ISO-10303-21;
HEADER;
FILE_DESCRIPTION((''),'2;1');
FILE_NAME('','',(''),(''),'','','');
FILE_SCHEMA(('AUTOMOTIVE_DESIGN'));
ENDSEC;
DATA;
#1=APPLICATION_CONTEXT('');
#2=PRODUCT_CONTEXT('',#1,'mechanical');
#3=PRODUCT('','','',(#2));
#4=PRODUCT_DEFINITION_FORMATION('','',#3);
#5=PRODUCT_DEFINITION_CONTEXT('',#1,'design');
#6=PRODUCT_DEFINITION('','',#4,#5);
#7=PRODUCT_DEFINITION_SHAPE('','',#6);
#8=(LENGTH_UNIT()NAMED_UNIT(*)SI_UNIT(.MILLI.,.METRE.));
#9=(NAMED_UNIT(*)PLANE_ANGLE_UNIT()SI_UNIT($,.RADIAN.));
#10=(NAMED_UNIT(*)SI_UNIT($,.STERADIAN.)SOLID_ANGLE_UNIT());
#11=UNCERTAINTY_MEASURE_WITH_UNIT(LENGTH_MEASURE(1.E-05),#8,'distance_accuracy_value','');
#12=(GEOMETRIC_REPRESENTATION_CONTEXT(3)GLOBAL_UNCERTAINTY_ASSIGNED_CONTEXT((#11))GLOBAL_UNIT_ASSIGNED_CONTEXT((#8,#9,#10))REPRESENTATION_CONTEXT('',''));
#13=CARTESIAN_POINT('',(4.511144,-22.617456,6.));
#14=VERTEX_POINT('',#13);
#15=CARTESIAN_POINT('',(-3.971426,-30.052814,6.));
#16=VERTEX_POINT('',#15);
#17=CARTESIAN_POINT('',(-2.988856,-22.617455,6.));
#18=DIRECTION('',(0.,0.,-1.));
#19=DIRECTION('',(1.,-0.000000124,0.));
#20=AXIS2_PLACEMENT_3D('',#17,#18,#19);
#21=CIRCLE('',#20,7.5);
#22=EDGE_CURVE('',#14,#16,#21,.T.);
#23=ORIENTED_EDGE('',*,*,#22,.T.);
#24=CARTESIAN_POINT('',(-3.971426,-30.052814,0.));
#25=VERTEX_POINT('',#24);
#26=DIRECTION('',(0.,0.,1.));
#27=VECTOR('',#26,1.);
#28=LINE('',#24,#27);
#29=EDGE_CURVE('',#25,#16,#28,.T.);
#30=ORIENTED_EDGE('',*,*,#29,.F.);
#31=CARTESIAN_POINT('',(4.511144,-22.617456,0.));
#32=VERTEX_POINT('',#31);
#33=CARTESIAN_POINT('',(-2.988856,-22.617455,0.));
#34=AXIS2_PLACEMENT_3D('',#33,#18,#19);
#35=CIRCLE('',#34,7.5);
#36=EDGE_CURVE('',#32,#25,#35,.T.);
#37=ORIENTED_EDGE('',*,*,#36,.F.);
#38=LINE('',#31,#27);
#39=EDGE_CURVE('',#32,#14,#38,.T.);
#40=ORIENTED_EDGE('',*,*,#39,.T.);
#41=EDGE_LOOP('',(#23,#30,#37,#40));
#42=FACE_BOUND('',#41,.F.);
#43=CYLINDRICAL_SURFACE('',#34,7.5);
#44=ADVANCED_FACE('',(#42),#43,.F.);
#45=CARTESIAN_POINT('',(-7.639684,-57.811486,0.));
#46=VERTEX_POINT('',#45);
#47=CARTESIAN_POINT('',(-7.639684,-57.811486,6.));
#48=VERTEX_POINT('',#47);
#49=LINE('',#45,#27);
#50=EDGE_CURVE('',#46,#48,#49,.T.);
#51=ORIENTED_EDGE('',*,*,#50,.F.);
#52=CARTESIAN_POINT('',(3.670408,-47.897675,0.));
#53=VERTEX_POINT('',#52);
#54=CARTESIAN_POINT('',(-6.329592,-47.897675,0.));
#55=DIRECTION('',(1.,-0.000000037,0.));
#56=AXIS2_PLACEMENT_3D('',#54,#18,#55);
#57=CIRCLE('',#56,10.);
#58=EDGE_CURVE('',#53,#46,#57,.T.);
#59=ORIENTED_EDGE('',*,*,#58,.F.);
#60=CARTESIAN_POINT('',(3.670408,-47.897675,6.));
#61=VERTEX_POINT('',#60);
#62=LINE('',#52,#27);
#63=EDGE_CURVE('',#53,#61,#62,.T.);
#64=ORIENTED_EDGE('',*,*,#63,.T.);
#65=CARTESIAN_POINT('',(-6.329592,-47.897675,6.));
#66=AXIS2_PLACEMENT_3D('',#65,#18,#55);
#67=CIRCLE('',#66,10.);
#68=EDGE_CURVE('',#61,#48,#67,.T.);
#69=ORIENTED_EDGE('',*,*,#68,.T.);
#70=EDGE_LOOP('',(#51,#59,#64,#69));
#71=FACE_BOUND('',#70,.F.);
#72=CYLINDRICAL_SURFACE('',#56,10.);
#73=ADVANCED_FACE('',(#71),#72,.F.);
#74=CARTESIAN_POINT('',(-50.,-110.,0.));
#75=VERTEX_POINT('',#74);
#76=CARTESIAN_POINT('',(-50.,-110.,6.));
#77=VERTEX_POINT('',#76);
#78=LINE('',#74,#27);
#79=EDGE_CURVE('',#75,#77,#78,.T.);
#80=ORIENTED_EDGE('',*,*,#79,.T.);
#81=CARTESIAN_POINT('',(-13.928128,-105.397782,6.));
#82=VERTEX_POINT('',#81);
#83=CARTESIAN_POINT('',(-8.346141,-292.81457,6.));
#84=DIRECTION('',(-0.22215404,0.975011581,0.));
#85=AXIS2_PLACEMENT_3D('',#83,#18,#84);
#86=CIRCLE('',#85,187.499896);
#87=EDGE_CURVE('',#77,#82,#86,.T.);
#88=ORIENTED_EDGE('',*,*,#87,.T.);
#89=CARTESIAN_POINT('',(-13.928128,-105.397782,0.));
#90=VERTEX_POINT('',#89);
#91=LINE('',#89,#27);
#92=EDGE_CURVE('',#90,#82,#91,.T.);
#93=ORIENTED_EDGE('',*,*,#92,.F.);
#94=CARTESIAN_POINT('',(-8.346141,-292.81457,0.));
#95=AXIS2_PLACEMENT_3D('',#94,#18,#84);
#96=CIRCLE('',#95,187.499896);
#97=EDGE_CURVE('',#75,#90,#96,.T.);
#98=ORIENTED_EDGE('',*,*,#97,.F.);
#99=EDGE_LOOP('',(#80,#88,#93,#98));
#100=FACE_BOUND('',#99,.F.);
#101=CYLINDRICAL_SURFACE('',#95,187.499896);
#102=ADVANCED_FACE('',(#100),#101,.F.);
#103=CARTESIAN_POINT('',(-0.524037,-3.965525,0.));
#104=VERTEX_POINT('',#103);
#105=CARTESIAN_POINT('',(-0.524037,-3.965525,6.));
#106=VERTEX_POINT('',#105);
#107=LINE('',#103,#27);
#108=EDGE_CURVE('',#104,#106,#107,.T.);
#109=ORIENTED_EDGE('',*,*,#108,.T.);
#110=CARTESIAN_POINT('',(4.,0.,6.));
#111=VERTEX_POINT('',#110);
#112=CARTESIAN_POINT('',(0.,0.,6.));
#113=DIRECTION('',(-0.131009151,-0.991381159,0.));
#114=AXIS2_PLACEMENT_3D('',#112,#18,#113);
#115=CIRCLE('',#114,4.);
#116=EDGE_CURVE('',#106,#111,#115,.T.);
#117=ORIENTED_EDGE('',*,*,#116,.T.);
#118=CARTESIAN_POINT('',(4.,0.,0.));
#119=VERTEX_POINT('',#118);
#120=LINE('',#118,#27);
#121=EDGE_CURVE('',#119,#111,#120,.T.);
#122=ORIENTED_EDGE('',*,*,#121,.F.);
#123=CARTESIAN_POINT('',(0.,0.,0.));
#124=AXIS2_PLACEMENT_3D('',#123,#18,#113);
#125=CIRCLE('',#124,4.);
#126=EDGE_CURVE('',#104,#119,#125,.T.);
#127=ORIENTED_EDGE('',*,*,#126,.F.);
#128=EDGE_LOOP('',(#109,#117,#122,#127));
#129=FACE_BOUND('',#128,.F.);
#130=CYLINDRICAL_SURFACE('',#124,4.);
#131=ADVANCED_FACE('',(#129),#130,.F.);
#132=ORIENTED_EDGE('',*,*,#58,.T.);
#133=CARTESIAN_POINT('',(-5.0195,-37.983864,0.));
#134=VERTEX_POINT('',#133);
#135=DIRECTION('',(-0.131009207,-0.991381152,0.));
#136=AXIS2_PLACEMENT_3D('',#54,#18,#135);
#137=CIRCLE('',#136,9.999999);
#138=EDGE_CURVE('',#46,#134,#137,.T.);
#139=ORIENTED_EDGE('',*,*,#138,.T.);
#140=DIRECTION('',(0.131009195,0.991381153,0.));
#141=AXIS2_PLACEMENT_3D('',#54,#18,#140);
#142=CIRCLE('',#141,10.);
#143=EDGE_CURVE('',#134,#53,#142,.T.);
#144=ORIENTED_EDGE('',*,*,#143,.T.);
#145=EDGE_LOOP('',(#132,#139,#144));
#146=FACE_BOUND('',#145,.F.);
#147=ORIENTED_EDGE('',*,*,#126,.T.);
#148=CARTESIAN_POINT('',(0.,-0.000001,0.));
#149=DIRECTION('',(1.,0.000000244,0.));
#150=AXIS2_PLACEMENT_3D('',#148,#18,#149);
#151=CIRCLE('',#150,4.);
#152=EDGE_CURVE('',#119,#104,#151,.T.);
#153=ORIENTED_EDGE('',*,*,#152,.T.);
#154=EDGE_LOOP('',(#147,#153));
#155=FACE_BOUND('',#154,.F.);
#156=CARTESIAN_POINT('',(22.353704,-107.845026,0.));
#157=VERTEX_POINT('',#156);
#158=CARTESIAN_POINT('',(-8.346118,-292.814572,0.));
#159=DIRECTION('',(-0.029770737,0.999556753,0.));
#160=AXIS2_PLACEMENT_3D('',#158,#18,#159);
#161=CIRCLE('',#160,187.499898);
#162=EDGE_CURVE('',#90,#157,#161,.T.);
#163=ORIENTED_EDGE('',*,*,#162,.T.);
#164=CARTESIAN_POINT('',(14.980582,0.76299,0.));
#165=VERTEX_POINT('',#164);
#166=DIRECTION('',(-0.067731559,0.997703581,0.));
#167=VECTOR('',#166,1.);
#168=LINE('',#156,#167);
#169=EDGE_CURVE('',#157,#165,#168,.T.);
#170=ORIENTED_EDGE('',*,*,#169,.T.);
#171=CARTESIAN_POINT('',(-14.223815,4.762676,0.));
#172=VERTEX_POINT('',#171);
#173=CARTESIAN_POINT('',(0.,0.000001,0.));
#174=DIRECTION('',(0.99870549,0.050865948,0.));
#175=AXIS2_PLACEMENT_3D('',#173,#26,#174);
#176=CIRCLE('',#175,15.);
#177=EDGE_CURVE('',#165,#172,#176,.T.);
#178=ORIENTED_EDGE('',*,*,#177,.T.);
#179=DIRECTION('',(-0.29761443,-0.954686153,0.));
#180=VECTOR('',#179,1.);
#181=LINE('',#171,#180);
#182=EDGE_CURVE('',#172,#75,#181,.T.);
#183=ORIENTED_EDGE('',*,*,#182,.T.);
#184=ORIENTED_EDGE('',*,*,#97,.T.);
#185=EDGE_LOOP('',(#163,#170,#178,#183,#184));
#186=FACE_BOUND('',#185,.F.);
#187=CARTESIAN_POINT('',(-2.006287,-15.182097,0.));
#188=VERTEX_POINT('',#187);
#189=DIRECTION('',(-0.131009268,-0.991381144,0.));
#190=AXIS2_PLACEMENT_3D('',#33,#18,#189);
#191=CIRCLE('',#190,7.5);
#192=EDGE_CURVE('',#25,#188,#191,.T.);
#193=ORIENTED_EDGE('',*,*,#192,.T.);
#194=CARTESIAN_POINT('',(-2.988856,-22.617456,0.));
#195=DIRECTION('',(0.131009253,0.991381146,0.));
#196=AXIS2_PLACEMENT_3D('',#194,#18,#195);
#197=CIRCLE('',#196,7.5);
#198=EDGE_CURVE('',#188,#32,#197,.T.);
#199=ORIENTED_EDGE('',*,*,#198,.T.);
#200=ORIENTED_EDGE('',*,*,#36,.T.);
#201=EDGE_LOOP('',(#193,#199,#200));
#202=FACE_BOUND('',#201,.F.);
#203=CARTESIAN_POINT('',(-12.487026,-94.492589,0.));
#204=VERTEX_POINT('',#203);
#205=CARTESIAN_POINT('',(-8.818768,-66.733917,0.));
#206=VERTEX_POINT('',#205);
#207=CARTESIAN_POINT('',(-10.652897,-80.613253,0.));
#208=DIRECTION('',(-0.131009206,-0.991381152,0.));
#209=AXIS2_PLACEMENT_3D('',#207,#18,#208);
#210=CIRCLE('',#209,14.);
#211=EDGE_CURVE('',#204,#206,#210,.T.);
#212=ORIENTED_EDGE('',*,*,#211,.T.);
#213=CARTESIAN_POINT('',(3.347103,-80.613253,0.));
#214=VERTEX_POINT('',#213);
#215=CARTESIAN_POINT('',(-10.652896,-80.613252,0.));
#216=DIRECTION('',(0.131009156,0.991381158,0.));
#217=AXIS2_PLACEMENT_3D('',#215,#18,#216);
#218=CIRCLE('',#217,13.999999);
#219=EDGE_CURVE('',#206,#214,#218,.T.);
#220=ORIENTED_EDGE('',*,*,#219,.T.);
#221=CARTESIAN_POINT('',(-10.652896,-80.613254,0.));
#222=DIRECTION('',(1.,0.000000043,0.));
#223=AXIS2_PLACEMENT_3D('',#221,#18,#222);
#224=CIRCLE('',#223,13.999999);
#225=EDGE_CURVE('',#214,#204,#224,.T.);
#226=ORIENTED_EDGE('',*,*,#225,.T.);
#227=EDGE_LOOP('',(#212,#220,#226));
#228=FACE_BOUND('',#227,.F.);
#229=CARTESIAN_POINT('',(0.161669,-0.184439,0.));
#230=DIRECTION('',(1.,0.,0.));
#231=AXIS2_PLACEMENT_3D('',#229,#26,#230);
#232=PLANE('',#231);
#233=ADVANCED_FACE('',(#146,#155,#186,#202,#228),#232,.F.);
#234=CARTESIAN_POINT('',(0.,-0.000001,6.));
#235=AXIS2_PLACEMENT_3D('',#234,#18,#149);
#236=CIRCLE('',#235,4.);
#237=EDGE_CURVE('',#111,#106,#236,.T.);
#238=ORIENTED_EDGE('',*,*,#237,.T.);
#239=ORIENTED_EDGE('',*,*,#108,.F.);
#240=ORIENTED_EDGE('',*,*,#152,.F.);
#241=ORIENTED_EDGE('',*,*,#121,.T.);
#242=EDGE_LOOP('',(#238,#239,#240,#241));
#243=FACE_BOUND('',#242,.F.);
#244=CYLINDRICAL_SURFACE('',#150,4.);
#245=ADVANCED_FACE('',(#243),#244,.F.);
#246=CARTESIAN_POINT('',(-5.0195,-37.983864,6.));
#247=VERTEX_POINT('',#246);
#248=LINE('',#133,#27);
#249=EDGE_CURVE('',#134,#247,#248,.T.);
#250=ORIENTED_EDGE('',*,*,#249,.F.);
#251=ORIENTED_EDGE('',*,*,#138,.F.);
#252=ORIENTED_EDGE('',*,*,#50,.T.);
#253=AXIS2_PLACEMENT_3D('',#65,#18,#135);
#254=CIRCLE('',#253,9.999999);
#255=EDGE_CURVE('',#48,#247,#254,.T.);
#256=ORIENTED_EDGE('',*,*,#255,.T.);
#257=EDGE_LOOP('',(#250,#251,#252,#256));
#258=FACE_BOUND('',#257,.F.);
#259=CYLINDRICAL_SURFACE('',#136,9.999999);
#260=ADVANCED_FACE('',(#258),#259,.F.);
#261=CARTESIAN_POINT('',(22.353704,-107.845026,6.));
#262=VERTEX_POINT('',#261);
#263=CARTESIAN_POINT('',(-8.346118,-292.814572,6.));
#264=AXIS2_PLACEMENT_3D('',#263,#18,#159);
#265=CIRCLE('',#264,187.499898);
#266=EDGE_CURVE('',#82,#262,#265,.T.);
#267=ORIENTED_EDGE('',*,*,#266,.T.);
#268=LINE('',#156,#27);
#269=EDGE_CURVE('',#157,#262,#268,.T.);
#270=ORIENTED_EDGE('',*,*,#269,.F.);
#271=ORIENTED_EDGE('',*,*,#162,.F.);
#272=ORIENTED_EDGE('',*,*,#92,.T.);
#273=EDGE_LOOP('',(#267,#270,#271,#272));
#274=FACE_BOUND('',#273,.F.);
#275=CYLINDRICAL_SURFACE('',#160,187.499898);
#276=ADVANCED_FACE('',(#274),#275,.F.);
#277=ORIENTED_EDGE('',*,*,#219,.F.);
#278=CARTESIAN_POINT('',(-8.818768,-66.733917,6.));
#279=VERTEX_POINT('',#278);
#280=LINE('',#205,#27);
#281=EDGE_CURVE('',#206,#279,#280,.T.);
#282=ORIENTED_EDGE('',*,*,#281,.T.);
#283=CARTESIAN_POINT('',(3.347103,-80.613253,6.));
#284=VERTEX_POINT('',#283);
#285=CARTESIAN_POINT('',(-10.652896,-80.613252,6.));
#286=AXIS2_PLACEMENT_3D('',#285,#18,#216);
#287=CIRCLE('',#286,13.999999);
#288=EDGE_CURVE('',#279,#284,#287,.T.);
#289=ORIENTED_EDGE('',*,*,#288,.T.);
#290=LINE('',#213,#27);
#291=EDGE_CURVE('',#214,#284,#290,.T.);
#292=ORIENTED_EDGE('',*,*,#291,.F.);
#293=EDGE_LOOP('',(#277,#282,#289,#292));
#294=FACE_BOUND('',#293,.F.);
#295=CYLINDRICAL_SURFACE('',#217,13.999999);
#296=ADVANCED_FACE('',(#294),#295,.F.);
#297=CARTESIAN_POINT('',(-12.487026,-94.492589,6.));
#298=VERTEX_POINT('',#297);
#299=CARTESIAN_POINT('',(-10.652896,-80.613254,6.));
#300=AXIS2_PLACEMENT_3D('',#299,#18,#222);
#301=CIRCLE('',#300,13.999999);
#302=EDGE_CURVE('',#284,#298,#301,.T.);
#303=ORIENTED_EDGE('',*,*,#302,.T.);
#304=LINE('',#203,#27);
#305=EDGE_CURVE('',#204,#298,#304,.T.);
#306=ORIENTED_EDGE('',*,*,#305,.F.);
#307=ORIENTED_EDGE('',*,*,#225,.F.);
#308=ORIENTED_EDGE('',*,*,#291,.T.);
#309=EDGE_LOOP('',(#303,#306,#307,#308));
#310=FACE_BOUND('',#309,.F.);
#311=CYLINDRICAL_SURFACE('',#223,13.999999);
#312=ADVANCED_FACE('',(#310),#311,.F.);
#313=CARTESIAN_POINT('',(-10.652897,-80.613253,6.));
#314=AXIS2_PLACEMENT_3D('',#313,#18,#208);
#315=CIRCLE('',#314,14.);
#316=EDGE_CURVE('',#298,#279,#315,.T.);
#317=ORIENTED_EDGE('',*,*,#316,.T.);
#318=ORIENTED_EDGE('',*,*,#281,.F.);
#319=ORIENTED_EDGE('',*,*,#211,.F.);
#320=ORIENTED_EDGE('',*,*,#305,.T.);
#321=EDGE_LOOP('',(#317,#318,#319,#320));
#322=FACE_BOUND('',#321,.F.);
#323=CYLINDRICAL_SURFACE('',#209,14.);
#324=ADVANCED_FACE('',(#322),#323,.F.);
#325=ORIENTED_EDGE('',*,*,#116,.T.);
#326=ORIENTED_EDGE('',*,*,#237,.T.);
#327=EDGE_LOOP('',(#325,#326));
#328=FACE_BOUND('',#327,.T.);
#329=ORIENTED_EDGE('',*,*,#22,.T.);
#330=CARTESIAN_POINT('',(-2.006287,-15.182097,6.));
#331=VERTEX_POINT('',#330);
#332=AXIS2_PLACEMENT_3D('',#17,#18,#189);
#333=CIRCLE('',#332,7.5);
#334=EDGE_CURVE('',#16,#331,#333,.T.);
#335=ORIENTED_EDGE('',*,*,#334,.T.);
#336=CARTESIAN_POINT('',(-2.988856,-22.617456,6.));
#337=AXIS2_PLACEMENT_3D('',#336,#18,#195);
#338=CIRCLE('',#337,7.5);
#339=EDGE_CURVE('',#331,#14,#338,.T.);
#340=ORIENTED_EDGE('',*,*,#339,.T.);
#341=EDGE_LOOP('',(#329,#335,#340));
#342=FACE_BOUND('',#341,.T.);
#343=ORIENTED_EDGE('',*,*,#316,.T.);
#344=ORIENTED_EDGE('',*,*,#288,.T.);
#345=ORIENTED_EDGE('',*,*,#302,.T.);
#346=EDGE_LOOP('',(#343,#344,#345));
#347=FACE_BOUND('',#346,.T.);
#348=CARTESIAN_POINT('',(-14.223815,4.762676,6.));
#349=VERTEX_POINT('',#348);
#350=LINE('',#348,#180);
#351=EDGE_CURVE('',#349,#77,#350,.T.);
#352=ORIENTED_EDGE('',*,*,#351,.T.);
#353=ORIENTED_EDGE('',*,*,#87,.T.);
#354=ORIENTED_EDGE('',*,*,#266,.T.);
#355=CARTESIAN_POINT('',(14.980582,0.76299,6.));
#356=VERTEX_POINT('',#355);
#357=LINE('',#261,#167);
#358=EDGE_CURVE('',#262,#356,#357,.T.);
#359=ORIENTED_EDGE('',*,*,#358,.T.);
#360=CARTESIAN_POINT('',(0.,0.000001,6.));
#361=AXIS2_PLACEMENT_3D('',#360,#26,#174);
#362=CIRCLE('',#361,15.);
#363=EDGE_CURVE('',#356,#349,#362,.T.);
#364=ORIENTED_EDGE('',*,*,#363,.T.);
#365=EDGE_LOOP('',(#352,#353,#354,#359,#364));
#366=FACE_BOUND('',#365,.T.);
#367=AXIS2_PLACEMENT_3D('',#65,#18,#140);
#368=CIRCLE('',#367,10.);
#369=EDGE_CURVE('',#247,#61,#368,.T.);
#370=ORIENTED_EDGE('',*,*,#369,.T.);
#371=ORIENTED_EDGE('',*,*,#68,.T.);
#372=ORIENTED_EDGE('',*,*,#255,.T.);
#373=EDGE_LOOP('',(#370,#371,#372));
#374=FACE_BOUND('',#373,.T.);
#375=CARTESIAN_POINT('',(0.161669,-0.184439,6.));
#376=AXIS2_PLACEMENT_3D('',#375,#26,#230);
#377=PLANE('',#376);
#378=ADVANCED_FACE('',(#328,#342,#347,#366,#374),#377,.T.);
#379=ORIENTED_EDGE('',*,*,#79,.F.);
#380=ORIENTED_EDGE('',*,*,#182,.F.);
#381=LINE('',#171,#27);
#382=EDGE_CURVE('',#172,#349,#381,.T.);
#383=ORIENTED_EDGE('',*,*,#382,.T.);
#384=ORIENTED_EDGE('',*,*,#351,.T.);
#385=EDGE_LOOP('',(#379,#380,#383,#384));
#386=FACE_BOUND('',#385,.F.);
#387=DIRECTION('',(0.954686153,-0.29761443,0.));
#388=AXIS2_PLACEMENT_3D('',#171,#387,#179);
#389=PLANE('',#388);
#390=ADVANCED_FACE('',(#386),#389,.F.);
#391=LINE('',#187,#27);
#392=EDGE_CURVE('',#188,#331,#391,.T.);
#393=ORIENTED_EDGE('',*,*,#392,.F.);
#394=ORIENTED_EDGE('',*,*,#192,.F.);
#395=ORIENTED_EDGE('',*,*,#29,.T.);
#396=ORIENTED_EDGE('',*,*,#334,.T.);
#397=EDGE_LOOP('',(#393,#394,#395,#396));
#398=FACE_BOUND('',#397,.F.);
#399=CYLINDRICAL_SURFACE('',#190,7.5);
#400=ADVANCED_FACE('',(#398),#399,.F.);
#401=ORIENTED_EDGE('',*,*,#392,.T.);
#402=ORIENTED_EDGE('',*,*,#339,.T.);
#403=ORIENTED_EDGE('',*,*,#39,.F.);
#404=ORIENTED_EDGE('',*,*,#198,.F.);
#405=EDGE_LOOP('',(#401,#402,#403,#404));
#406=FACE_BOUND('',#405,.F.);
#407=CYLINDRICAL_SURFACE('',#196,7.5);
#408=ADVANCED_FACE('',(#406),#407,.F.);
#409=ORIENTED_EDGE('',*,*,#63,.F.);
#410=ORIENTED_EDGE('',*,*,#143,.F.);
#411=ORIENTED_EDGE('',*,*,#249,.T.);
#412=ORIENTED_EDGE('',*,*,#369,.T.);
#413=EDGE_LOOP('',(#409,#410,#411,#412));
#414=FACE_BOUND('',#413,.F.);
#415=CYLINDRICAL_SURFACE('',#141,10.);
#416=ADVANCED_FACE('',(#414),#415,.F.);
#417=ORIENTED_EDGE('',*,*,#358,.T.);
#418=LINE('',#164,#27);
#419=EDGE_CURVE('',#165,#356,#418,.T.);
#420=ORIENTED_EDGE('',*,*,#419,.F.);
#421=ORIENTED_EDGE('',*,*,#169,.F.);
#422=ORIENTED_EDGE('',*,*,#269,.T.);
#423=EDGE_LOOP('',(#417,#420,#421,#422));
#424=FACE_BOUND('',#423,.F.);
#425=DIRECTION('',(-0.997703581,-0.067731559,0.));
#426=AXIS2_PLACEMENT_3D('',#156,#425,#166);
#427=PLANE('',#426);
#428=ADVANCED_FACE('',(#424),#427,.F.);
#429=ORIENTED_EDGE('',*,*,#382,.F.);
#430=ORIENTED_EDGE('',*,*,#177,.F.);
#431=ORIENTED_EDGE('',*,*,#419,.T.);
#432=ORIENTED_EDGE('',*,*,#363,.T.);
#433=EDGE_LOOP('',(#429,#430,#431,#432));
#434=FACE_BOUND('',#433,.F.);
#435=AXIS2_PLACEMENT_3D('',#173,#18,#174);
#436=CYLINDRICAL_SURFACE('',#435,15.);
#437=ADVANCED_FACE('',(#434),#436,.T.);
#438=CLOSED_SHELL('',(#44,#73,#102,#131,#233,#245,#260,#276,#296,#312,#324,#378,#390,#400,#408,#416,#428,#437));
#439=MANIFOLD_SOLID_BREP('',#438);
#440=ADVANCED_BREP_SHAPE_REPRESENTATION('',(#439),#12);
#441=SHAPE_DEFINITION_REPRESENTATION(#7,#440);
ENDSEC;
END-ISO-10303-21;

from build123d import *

# Parameters (mm, degrees)
F1_DEPTH = 6


with BuildPart() as f1:
    # F0 (on Top) → F1 (new body)
    with BuildSketch(Plane.XY):
        with BuildLine():
            ThreePointArc((-0.524037, -3.965525), (2.636651, -3.008002), (4, 0))
            ThreePointArc((4, 0), (-2.636651, 3.008002), (-0.524037, -3.965525))
        make_face()
        with BuildLine():
            ThreePointArc((-50, -110), (-32.075898, -106.82234), (-13.928128, -105.397782))
            ThreePointArc((-13.928128, -105.397782), (4.272256, -105.739751), (22.353704, -107.845026))
            Line((22.353704, -107.845026), (14.980582, 0.76299))
            ThreePointArc((14.980582, 0.76299), (2.035325, 14.861274), (-14.223815, 4.762676))
            Line((-14.223815, 4.762676), (-50, -110))
        make_face()
        with BuildLine():
            ThreePointArc((-12.487026, -94.492589), (-24.532233, -78.779123), (-8.818768, -66.733917))
            ThreePointArc((-8.818768, -66.733917), (-0.124891, -71.384976), (3.347103, -80.613253))
            ThreePointArc((3.347103, -80.613253), (-1.42462, -91.141259), (-12.487026, -94.492589))
        make_face(mode=Mode.SUBTRACT)
        with BuildLine():
            ThreePointArc((-7.639684, -57.811486), (-16.243403, -46.587583), (-5.0195, -37.983864))
            ThreePointArc((-5.0195, -37.983864), (1.190412, -41.306049), (3.670408, -47.897675))
            ThreePointArc((3.670408, -47.897675), (0.262034, -55.417679), (-7.639684, -57.811486))
        make_face(mode=Mode.SUBTRACT)
        with BuildLine():
            ThreePointArc((-3.971426, -30.052814), (-10.424215, -21.634886), (-2.006287, -15.182097))
            ThreePointArc((-2.006287, -15.182097), (2.651147, -17.673736), (4.511144, -22.617456))
            ThreePointArc((4.511144, -22.617456), (1.954863, -28.257459), (-3.971426, -30.052814))
        make_face(mode=Mode.SUBTRACT)
        with BuildLine():
            ThreePointArc((-0.524037, -3.965525), (-2.636651, 3.008002), (4, 0))
            ThreePointArc((4, 0), (2.636651, -3.008002), (-0.524037, -3.965525))
        make_face(mode=Mode.SUBTRACT)
    extrude(amount=F1_DEPTH)


solid = f1.part
